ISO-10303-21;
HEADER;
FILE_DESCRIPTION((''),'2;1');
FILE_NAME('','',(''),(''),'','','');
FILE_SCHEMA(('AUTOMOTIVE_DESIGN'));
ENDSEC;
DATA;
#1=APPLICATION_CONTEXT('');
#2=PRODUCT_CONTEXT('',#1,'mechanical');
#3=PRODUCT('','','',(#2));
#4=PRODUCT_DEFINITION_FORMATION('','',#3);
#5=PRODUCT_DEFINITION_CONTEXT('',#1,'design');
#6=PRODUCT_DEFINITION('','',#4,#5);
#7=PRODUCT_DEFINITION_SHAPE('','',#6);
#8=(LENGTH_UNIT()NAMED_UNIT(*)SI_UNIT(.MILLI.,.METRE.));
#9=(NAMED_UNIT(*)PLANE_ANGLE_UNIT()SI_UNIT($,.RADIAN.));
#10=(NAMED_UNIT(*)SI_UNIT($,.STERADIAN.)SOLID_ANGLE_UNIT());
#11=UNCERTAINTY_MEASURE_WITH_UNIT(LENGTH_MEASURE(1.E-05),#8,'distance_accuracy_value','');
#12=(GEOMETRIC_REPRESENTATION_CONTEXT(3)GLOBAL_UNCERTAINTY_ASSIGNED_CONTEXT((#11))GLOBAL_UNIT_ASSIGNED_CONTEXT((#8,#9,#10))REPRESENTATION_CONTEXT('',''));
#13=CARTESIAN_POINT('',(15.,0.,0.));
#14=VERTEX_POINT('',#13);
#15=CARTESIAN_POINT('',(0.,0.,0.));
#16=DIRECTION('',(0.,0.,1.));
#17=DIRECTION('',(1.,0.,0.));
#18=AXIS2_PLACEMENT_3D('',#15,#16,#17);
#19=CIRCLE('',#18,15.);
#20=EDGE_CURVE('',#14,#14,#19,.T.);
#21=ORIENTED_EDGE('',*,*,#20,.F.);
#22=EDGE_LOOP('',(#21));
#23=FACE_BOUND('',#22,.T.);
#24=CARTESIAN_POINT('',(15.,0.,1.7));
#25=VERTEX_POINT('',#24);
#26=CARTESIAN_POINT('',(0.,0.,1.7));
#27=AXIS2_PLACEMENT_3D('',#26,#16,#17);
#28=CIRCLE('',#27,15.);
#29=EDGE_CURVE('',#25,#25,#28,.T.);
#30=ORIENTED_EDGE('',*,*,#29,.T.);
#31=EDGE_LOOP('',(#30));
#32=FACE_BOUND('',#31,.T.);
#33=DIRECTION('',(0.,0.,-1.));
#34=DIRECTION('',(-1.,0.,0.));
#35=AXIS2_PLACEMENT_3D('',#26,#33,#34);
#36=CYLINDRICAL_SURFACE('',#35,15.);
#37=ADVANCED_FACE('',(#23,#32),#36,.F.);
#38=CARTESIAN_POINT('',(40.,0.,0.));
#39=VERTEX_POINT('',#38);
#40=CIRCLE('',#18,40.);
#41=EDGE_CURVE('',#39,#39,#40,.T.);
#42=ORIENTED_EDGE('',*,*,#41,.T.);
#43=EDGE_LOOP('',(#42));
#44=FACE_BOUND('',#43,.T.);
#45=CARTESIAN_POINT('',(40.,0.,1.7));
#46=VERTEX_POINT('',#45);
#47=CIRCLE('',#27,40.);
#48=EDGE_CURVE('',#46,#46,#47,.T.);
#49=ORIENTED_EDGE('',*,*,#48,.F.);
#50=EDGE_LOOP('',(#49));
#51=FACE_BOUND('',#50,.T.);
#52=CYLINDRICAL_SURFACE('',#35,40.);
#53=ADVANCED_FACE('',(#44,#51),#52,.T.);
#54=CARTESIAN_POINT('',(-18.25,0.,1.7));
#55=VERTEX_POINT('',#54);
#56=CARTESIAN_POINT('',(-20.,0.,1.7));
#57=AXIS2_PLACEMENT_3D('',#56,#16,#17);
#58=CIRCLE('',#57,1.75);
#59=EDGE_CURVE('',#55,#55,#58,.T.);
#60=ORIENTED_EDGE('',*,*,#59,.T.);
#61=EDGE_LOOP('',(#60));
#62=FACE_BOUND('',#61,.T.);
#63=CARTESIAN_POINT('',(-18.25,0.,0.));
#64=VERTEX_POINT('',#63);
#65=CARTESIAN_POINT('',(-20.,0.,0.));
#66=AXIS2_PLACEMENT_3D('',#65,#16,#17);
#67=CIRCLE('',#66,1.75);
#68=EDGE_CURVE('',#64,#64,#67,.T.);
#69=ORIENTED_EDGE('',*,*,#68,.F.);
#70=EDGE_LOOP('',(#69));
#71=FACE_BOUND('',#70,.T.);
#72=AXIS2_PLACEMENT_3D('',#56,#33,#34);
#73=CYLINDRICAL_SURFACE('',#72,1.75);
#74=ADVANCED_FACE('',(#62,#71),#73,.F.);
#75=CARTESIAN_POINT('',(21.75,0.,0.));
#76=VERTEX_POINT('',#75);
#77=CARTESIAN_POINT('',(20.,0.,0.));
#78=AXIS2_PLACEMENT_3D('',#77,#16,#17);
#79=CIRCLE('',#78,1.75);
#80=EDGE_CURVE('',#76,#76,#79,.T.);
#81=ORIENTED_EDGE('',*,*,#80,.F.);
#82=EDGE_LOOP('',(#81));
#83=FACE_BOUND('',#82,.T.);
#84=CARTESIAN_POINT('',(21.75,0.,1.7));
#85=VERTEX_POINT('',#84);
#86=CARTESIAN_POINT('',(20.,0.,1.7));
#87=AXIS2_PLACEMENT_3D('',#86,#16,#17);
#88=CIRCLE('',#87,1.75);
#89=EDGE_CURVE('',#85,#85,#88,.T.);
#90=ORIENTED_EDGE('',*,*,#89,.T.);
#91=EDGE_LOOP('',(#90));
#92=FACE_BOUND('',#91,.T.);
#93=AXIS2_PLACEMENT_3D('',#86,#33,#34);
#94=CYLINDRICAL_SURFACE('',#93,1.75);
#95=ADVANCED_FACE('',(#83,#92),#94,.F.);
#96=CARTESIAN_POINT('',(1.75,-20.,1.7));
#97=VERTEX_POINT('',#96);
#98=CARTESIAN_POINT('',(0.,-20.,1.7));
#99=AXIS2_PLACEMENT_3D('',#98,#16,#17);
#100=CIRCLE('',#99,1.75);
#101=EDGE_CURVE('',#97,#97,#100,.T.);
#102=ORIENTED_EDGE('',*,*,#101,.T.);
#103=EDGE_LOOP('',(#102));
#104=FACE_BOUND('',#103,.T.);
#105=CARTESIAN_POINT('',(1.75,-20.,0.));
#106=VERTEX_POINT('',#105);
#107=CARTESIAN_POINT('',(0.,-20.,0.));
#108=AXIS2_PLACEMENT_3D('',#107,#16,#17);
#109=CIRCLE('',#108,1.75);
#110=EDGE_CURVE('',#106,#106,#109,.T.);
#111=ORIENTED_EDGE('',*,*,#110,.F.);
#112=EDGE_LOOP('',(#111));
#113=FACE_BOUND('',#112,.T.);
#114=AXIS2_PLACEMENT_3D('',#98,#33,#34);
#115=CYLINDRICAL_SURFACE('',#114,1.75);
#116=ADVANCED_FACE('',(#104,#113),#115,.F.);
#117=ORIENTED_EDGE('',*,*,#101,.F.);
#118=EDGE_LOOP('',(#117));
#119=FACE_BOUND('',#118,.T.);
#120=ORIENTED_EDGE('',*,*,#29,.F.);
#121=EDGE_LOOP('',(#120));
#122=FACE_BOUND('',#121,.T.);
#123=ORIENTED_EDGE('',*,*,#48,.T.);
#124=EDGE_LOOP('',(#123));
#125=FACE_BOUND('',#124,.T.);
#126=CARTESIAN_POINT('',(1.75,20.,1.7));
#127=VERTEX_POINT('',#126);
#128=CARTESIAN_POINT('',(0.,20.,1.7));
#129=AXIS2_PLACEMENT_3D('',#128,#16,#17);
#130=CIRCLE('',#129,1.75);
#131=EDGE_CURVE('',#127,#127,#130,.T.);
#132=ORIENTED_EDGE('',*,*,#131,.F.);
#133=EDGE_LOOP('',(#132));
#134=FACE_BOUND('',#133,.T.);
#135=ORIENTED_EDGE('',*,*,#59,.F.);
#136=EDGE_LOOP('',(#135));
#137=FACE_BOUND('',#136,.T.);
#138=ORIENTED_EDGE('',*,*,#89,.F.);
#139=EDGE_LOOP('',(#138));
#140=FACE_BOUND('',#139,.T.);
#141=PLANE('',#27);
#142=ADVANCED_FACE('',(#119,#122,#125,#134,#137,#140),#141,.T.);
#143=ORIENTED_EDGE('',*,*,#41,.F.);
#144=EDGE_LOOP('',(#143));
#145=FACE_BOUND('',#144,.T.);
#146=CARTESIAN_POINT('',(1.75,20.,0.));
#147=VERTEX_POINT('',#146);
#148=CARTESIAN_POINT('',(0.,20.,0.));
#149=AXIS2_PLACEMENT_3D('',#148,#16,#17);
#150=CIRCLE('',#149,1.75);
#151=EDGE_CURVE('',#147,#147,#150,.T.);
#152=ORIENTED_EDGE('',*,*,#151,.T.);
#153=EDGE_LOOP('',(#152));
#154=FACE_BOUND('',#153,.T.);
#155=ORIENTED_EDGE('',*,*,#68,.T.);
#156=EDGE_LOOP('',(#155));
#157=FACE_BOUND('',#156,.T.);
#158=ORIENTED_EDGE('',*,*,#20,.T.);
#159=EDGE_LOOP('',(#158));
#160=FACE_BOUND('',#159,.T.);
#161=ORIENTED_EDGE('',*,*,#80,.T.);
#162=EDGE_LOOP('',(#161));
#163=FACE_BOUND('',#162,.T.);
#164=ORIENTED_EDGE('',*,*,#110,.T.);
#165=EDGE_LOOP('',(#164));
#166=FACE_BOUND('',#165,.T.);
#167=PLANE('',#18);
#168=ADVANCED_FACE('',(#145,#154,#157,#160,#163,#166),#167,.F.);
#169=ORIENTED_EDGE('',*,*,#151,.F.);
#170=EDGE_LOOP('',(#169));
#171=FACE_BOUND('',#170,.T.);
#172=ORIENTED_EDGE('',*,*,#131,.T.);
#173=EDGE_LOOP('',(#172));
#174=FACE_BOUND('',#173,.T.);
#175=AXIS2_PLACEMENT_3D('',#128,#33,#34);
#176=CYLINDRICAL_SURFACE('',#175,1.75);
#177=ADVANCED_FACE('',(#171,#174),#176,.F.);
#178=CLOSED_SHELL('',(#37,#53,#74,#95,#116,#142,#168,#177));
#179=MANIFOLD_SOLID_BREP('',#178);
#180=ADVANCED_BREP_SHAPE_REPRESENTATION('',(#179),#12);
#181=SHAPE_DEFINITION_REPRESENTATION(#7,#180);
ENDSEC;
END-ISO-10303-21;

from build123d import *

# Parameters (mm, degrees)
SKETCH1_R           = 40
SKETCH1_R_2         = 15
SKETCH1_R_3         = 1.75
BOSS_EXTRUDE1_DEPTH = 1.7


with BuildPart() as part:
    # Sketch1 → Boss-Extrude1 (new body)
    with BuildSketch(Plane.XY):
        Circle(SKETCH1_R)
        Circle(SKETCH1_R_2, mode=Mode.SUBTRACT)
        with Locations((0, 20)):
            Circle(SKETCH1_R_3, mode=Mode.SUBTRACT)
        with Locations((20, 0)):
            Circle(SKETCH1_R_3, mode=Mode.SUBTRACT)
        with Locations((0, -20)):
            Circle(SKETCH1_R_3, mode=Mode.SUBTRACT)
        with Locations((-20, 0)):
            Circle(SKETCH1_R_3, mode=Mode.SUBTRACT)
    extrude(amount=BOSS_EXTRUDE1_DEPTH)


solid = part.part
